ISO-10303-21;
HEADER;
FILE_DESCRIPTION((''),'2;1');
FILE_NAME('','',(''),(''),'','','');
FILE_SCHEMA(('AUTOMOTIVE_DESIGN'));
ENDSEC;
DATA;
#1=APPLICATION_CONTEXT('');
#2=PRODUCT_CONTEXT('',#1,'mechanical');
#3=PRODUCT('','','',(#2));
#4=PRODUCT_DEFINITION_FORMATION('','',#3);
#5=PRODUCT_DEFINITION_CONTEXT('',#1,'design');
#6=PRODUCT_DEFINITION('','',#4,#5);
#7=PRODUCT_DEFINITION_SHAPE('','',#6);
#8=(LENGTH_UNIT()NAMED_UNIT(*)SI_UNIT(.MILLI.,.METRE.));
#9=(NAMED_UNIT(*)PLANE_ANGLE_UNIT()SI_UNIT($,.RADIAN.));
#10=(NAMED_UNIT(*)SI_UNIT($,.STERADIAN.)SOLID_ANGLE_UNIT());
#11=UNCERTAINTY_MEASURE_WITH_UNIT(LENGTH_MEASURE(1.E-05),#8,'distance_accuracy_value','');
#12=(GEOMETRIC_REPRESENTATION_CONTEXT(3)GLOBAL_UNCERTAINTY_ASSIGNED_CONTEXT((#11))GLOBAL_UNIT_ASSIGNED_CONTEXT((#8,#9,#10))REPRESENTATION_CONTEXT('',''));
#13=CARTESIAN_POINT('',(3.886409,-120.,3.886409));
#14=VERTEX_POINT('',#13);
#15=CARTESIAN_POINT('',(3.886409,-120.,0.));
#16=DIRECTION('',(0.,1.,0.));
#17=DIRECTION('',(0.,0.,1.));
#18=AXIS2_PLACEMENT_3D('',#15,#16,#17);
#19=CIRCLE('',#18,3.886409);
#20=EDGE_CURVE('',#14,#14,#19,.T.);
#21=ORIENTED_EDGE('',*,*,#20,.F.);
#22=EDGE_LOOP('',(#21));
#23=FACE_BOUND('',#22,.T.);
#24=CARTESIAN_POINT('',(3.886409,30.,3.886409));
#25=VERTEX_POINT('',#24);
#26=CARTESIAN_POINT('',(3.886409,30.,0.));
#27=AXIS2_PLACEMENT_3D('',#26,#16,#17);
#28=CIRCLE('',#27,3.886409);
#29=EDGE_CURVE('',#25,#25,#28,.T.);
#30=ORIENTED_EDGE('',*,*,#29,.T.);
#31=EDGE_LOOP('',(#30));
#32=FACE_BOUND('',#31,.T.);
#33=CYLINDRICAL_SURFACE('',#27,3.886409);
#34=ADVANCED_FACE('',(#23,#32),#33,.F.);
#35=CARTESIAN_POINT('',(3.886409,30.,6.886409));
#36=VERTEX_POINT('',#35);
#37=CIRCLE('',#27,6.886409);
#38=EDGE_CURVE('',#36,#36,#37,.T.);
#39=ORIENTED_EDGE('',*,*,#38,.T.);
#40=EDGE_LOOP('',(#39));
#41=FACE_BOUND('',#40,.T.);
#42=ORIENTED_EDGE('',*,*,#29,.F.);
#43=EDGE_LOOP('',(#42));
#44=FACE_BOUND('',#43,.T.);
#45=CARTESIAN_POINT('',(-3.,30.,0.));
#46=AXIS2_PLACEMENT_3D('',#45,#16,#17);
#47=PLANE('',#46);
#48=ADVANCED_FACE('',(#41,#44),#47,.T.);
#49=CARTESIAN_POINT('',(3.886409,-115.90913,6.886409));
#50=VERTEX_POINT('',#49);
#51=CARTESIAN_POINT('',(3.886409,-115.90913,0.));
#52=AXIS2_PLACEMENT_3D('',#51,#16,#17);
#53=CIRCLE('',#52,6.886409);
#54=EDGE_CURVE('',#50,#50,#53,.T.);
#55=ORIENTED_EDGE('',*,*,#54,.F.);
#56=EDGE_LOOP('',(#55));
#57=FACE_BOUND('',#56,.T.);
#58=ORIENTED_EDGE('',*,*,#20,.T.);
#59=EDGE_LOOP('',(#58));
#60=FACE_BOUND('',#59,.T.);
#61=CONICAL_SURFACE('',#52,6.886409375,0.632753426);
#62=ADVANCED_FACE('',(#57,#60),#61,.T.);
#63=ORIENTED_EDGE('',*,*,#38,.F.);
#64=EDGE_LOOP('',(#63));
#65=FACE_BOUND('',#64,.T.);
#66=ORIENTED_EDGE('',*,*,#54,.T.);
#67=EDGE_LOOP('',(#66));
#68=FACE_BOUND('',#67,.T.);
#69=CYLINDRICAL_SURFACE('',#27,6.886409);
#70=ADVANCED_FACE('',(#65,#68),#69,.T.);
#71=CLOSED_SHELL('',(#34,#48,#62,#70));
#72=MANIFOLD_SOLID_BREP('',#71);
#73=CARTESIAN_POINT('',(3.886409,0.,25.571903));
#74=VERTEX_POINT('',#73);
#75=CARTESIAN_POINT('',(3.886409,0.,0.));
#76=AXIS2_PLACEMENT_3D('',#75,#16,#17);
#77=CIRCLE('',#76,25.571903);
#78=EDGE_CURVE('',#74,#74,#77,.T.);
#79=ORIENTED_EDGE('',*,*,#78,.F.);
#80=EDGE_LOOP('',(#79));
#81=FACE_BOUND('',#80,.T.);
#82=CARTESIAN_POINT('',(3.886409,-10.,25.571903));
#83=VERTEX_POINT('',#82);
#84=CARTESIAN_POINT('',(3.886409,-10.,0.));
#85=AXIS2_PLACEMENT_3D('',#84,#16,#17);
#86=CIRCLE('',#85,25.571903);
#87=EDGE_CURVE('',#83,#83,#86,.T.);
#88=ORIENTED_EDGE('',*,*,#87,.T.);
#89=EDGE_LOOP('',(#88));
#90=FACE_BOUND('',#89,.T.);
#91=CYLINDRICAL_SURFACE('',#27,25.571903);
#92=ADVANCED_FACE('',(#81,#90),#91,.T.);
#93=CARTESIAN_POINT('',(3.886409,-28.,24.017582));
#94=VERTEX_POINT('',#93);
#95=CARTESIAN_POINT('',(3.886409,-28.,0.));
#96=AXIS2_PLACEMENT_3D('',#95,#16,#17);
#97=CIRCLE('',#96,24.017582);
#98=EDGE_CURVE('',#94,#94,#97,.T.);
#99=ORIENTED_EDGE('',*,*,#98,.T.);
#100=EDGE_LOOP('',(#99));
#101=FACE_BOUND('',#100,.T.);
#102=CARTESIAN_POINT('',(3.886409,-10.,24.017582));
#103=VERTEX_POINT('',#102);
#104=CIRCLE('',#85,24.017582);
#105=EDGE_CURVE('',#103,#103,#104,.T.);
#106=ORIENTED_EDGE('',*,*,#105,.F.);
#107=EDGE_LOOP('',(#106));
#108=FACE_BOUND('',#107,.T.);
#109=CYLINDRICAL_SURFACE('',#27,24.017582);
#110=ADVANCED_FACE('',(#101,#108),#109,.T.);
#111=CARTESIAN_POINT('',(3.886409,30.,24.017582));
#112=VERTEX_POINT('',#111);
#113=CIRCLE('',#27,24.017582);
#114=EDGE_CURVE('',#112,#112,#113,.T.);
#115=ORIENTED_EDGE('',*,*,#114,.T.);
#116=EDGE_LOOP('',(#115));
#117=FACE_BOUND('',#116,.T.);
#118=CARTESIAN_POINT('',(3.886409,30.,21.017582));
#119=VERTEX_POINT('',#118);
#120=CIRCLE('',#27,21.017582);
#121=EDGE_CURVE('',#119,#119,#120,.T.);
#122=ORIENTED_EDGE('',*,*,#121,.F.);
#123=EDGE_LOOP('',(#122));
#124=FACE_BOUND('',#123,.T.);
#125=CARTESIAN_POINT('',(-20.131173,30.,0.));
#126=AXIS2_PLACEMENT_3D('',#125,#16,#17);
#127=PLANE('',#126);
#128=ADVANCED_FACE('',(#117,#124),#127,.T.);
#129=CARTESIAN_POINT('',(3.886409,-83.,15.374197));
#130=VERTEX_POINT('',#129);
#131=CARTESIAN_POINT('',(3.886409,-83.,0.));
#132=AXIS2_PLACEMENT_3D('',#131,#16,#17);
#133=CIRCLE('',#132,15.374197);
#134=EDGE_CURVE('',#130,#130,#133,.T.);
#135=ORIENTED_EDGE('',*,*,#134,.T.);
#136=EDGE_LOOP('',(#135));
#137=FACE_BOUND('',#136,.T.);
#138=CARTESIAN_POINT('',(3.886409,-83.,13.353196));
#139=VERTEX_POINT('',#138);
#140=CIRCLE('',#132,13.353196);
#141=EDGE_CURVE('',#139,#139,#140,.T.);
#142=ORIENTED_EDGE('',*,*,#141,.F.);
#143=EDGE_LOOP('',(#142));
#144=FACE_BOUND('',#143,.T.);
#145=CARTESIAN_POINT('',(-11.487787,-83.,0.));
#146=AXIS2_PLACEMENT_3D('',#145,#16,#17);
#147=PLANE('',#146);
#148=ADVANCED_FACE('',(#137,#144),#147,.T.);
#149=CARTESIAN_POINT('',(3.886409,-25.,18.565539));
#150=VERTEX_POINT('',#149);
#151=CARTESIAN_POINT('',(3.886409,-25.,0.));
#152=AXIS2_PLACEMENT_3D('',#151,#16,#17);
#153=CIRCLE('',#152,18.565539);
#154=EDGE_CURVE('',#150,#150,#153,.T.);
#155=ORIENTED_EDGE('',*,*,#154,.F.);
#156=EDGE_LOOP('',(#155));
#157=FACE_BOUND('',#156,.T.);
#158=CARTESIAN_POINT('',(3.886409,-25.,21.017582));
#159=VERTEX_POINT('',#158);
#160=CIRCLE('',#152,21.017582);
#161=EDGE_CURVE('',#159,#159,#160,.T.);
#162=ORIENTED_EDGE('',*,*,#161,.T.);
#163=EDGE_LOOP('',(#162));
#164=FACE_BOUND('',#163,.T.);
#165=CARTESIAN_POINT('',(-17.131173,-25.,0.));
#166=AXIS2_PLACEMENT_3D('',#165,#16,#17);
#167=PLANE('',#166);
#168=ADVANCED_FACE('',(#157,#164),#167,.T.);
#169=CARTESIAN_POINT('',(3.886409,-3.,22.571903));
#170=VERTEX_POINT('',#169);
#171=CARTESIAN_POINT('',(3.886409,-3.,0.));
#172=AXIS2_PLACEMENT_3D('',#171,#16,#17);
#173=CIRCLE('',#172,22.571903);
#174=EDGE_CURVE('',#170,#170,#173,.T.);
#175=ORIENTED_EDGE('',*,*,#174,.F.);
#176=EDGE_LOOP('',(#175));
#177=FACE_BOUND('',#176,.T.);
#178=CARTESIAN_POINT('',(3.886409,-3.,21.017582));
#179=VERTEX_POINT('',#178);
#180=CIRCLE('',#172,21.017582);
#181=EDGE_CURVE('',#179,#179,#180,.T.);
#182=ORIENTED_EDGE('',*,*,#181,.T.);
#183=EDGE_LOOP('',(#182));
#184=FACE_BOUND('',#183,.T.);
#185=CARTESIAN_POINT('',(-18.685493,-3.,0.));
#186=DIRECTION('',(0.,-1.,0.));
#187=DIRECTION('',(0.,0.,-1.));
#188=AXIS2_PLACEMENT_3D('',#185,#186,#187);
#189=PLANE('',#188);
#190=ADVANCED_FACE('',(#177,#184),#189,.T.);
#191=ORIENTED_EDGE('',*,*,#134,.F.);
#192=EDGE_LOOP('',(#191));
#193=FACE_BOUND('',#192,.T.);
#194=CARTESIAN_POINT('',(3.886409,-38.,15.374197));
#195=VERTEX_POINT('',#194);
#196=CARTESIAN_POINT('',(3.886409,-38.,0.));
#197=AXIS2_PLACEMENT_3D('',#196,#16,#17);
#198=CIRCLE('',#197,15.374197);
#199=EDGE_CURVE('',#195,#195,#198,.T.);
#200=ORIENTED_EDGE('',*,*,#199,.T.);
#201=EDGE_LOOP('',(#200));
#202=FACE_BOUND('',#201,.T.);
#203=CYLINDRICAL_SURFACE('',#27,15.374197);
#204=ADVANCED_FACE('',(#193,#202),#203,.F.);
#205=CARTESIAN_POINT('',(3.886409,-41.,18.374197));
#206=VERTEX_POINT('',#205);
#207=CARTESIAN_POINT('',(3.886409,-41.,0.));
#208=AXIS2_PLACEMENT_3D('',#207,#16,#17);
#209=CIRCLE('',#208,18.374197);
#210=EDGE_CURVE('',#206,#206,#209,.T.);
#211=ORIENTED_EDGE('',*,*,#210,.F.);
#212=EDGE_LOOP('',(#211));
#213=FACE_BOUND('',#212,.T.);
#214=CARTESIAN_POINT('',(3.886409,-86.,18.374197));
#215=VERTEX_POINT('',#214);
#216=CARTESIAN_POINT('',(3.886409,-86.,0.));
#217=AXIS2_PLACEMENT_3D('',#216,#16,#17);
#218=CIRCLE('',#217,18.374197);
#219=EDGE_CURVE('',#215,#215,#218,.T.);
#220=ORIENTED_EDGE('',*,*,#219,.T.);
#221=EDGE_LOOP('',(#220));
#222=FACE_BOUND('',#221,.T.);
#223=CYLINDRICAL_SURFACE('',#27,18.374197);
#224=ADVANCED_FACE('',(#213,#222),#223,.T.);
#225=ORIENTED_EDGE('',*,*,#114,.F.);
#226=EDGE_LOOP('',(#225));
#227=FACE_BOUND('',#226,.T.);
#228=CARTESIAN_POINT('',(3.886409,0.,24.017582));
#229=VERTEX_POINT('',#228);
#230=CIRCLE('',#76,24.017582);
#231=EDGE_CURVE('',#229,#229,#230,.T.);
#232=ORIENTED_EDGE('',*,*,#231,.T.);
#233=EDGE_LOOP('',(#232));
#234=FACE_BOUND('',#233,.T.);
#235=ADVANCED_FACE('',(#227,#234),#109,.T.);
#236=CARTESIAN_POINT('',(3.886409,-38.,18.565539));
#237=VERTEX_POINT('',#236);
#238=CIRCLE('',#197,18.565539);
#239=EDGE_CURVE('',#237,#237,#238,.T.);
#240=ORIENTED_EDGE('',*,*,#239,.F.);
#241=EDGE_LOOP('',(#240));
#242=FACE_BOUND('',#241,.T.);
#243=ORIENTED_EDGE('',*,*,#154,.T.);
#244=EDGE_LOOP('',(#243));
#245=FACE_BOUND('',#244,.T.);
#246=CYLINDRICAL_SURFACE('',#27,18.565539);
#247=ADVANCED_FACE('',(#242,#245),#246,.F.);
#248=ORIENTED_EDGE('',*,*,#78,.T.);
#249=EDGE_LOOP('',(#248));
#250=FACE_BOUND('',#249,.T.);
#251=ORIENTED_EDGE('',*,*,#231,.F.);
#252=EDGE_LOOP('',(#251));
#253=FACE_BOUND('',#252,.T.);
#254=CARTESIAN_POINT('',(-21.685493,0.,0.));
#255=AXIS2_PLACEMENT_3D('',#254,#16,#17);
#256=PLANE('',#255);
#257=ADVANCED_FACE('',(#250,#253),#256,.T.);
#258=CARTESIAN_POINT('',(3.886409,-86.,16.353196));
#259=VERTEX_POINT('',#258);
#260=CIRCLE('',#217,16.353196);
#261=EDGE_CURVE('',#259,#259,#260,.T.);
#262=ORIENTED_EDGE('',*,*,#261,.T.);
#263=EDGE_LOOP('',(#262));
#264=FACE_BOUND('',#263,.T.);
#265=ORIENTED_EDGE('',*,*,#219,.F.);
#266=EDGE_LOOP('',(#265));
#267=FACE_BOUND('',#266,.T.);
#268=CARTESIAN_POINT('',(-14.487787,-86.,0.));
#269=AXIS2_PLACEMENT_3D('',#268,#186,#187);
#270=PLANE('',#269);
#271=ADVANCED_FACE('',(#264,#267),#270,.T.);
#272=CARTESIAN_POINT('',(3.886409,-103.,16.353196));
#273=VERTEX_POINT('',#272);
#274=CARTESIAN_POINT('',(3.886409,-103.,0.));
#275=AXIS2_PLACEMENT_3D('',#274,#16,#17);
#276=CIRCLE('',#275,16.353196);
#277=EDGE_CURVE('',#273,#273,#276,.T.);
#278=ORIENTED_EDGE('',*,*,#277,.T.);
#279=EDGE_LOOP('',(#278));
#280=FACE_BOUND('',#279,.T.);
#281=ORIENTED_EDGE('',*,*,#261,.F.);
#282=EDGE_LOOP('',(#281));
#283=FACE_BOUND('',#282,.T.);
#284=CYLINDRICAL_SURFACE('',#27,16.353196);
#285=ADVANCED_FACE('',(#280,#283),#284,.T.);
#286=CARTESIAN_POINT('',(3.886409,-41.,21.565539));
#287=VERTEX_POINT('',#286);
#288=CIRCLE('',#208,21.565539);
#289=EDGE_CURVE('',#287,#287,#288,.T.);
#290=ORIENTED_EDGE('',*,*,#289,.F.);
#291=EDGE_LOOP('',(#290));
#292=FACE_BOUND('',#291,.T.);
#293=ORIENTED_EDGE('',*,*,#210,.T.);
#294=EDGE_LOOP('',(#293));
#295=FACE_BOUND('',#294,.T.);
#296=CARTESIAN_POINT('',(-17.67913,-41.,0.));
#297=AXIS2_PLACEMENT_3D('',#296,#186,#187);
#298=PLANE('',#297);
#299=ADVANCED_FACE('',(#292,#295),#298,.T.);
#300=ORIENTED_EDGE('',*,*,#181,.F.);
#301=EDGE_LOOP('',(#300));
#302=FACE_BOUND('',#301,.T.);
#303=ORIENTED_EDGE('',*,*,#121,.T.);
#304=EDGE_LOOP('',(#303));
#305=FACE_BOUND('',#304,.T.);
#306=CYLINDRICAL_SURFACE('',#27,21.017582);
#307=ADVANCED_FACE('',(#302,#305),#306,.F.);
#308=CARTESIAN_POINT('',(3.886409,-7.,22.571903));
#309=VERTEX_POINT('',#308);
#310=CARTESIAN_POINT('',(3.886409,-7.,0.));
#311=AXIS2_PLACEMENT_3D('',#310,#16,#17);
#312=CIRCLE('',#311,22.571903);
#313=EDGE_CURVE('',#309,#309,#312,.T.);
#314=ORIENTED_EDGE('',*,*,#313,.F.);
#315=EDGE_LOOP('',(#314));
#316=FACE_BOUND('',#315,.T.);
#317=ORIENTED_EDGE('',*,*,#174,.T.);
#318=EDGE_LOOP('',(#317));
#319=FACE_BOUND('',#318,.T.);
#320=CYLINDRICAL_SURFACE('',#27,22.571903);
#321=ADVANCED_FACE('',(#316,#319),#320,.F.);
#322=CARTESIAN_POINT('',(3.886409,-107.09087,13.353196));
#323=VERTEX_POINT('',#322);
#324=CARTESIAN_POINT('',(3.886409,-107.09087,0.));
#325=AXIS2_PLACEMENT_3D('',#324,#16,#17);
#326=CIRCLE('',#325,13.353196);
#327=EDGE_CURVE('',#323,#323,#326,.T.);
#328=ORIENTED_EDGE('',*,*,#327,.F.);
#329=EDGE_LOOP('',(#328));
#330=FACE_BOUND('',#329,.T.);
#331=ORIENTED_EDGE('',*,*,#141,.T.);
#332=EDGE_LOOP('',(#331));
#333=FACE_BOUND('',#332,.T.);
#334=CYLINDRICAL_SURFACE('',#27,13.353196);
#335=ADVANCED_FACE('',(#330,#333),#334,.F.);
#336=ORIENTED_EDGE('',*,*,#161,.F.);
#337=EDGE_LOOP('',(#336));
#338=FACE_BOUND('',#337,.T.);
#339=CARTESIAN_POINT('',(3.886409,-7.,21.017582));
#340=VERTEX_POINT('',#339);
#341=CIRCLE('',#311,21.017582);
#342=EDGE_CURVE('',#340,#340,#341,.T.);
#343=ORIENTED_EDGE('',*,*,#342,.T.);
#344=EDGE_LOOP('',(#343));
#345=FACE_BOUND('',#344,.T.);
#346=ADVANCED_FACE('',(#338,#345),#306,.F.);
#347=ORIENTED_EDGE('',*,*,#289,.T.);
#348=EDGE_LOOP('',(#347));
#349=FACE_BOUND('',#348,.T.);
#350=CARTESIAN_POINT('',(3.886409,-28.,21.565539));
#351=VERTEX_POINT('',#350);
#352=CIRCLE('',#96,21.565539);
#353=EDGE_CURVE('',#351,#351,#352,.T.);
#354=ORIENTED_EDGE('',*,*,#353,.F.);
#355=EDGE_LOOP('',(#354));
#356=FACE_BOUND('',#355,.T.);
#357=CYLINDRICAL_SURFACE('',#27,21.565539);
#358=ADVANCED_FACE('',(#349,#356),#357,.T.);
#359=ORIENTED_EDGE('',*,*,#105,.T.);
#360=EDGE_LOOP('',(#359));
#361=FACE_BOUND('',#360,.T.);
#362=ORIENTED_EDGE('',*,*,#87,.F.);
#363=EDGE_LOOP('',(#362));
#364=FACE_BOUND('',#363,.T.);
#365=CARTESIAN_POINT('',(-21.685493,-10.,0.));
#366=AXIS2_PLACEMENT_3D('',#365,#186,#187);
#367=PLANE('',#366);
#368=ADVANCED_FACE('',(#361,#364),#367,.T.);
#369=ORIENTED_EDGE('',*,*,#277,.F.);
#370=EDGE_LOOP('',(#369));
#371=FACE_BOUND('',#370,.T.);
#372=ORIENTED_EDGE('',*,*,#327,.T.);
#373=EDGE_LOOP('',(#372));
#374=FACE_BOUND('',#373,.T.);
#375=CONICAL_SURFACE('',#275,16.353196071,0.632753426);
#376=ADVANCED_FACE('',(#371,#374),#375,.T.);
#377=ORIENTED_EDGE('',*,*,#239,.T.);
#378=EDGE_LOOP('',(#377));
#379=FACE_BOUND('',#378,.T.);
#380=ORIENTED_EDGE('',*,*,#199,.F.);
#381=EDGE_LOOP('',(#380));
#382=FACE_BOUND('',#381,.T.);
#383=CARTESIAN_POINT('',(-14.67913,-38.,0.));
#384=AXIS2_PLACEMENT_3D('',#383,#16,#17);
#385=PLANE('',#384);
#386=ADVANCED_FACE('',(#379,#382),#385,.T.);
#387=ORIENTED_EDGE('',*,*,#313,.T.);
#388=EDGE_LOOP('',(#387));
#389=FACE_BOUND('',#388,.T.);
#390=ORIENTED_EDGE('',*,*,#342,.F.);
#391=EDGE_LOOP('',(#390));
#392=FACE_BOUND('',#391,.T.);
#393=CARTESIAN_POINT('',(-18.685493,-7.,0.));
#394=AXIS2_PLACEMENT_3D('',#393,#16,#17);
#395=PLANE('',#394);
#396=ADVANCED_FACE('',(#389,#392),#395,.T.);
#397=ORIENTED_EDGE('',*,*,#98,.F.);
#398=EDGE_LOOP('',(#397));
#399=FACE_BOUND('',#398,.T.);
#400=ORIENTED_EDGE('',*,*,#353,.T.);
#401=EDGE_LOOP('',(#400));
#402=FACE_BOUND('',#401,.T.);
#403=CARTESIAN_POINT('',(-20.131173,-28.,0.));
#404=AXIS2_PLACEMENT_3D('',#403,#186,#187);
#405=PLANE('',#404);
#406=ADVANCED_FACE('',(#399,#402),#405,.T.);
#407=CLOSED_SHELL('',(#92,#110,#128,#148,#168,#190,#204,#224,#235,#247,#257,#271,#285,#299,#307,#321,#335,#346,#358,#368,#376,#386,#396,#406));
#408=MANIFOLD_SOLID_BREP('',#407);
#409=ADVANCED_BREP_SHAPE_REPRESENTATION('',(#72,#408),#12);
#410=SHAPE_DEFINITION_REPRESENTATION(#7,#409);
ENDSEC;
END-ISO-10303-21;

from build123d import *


with BuildPart() as part:
    # Sketch1 → Revolve8 (revolve)
    with BuildSketch(Plane.XY, mode=Mode.PRIVATE) as revolve8_sk:
        Polygon((-20.1311725, 30), (-20.1311725, 0), (-21.685493391, 0), (-21.685493391, -10), (-20.1311725, -10), (-20.1311725, -28), (-17.679129986, -28), (-17.679129986, -41), (-14.487787153, -41), (-14.487787153, -86), (-12.466786695, -86), (-12.466786695, -103), (-9.466786695, -107.090869704), (-9.466786695, -102.017880946), (-9.466786695, -83), (-11.487787153, -83), (-11.487787153, -38), (-14.679129986, -38), (-14.679129986, -25), (-17.1311725, -25), (-17.1311725, -7), (-18.685493391, -7), (-18.685493391, -3), (-17.1311725, -3), (-17.1311725, 27), (-17.1311725, 30), align=None)
        Polygon((0, 30), (0, -120), (-3, -115.909130296), (-3, -110.836141538), (-3, 27), (-3, 30), align=None)
    revolve(revolve8_sk.sketch.rotate(Axis((3.886409375, 30, 0), (0, -1, 0)), 270), axis=Axis((3.886409375, 30, 0), (0, -1, 0)))


solid = part.part
